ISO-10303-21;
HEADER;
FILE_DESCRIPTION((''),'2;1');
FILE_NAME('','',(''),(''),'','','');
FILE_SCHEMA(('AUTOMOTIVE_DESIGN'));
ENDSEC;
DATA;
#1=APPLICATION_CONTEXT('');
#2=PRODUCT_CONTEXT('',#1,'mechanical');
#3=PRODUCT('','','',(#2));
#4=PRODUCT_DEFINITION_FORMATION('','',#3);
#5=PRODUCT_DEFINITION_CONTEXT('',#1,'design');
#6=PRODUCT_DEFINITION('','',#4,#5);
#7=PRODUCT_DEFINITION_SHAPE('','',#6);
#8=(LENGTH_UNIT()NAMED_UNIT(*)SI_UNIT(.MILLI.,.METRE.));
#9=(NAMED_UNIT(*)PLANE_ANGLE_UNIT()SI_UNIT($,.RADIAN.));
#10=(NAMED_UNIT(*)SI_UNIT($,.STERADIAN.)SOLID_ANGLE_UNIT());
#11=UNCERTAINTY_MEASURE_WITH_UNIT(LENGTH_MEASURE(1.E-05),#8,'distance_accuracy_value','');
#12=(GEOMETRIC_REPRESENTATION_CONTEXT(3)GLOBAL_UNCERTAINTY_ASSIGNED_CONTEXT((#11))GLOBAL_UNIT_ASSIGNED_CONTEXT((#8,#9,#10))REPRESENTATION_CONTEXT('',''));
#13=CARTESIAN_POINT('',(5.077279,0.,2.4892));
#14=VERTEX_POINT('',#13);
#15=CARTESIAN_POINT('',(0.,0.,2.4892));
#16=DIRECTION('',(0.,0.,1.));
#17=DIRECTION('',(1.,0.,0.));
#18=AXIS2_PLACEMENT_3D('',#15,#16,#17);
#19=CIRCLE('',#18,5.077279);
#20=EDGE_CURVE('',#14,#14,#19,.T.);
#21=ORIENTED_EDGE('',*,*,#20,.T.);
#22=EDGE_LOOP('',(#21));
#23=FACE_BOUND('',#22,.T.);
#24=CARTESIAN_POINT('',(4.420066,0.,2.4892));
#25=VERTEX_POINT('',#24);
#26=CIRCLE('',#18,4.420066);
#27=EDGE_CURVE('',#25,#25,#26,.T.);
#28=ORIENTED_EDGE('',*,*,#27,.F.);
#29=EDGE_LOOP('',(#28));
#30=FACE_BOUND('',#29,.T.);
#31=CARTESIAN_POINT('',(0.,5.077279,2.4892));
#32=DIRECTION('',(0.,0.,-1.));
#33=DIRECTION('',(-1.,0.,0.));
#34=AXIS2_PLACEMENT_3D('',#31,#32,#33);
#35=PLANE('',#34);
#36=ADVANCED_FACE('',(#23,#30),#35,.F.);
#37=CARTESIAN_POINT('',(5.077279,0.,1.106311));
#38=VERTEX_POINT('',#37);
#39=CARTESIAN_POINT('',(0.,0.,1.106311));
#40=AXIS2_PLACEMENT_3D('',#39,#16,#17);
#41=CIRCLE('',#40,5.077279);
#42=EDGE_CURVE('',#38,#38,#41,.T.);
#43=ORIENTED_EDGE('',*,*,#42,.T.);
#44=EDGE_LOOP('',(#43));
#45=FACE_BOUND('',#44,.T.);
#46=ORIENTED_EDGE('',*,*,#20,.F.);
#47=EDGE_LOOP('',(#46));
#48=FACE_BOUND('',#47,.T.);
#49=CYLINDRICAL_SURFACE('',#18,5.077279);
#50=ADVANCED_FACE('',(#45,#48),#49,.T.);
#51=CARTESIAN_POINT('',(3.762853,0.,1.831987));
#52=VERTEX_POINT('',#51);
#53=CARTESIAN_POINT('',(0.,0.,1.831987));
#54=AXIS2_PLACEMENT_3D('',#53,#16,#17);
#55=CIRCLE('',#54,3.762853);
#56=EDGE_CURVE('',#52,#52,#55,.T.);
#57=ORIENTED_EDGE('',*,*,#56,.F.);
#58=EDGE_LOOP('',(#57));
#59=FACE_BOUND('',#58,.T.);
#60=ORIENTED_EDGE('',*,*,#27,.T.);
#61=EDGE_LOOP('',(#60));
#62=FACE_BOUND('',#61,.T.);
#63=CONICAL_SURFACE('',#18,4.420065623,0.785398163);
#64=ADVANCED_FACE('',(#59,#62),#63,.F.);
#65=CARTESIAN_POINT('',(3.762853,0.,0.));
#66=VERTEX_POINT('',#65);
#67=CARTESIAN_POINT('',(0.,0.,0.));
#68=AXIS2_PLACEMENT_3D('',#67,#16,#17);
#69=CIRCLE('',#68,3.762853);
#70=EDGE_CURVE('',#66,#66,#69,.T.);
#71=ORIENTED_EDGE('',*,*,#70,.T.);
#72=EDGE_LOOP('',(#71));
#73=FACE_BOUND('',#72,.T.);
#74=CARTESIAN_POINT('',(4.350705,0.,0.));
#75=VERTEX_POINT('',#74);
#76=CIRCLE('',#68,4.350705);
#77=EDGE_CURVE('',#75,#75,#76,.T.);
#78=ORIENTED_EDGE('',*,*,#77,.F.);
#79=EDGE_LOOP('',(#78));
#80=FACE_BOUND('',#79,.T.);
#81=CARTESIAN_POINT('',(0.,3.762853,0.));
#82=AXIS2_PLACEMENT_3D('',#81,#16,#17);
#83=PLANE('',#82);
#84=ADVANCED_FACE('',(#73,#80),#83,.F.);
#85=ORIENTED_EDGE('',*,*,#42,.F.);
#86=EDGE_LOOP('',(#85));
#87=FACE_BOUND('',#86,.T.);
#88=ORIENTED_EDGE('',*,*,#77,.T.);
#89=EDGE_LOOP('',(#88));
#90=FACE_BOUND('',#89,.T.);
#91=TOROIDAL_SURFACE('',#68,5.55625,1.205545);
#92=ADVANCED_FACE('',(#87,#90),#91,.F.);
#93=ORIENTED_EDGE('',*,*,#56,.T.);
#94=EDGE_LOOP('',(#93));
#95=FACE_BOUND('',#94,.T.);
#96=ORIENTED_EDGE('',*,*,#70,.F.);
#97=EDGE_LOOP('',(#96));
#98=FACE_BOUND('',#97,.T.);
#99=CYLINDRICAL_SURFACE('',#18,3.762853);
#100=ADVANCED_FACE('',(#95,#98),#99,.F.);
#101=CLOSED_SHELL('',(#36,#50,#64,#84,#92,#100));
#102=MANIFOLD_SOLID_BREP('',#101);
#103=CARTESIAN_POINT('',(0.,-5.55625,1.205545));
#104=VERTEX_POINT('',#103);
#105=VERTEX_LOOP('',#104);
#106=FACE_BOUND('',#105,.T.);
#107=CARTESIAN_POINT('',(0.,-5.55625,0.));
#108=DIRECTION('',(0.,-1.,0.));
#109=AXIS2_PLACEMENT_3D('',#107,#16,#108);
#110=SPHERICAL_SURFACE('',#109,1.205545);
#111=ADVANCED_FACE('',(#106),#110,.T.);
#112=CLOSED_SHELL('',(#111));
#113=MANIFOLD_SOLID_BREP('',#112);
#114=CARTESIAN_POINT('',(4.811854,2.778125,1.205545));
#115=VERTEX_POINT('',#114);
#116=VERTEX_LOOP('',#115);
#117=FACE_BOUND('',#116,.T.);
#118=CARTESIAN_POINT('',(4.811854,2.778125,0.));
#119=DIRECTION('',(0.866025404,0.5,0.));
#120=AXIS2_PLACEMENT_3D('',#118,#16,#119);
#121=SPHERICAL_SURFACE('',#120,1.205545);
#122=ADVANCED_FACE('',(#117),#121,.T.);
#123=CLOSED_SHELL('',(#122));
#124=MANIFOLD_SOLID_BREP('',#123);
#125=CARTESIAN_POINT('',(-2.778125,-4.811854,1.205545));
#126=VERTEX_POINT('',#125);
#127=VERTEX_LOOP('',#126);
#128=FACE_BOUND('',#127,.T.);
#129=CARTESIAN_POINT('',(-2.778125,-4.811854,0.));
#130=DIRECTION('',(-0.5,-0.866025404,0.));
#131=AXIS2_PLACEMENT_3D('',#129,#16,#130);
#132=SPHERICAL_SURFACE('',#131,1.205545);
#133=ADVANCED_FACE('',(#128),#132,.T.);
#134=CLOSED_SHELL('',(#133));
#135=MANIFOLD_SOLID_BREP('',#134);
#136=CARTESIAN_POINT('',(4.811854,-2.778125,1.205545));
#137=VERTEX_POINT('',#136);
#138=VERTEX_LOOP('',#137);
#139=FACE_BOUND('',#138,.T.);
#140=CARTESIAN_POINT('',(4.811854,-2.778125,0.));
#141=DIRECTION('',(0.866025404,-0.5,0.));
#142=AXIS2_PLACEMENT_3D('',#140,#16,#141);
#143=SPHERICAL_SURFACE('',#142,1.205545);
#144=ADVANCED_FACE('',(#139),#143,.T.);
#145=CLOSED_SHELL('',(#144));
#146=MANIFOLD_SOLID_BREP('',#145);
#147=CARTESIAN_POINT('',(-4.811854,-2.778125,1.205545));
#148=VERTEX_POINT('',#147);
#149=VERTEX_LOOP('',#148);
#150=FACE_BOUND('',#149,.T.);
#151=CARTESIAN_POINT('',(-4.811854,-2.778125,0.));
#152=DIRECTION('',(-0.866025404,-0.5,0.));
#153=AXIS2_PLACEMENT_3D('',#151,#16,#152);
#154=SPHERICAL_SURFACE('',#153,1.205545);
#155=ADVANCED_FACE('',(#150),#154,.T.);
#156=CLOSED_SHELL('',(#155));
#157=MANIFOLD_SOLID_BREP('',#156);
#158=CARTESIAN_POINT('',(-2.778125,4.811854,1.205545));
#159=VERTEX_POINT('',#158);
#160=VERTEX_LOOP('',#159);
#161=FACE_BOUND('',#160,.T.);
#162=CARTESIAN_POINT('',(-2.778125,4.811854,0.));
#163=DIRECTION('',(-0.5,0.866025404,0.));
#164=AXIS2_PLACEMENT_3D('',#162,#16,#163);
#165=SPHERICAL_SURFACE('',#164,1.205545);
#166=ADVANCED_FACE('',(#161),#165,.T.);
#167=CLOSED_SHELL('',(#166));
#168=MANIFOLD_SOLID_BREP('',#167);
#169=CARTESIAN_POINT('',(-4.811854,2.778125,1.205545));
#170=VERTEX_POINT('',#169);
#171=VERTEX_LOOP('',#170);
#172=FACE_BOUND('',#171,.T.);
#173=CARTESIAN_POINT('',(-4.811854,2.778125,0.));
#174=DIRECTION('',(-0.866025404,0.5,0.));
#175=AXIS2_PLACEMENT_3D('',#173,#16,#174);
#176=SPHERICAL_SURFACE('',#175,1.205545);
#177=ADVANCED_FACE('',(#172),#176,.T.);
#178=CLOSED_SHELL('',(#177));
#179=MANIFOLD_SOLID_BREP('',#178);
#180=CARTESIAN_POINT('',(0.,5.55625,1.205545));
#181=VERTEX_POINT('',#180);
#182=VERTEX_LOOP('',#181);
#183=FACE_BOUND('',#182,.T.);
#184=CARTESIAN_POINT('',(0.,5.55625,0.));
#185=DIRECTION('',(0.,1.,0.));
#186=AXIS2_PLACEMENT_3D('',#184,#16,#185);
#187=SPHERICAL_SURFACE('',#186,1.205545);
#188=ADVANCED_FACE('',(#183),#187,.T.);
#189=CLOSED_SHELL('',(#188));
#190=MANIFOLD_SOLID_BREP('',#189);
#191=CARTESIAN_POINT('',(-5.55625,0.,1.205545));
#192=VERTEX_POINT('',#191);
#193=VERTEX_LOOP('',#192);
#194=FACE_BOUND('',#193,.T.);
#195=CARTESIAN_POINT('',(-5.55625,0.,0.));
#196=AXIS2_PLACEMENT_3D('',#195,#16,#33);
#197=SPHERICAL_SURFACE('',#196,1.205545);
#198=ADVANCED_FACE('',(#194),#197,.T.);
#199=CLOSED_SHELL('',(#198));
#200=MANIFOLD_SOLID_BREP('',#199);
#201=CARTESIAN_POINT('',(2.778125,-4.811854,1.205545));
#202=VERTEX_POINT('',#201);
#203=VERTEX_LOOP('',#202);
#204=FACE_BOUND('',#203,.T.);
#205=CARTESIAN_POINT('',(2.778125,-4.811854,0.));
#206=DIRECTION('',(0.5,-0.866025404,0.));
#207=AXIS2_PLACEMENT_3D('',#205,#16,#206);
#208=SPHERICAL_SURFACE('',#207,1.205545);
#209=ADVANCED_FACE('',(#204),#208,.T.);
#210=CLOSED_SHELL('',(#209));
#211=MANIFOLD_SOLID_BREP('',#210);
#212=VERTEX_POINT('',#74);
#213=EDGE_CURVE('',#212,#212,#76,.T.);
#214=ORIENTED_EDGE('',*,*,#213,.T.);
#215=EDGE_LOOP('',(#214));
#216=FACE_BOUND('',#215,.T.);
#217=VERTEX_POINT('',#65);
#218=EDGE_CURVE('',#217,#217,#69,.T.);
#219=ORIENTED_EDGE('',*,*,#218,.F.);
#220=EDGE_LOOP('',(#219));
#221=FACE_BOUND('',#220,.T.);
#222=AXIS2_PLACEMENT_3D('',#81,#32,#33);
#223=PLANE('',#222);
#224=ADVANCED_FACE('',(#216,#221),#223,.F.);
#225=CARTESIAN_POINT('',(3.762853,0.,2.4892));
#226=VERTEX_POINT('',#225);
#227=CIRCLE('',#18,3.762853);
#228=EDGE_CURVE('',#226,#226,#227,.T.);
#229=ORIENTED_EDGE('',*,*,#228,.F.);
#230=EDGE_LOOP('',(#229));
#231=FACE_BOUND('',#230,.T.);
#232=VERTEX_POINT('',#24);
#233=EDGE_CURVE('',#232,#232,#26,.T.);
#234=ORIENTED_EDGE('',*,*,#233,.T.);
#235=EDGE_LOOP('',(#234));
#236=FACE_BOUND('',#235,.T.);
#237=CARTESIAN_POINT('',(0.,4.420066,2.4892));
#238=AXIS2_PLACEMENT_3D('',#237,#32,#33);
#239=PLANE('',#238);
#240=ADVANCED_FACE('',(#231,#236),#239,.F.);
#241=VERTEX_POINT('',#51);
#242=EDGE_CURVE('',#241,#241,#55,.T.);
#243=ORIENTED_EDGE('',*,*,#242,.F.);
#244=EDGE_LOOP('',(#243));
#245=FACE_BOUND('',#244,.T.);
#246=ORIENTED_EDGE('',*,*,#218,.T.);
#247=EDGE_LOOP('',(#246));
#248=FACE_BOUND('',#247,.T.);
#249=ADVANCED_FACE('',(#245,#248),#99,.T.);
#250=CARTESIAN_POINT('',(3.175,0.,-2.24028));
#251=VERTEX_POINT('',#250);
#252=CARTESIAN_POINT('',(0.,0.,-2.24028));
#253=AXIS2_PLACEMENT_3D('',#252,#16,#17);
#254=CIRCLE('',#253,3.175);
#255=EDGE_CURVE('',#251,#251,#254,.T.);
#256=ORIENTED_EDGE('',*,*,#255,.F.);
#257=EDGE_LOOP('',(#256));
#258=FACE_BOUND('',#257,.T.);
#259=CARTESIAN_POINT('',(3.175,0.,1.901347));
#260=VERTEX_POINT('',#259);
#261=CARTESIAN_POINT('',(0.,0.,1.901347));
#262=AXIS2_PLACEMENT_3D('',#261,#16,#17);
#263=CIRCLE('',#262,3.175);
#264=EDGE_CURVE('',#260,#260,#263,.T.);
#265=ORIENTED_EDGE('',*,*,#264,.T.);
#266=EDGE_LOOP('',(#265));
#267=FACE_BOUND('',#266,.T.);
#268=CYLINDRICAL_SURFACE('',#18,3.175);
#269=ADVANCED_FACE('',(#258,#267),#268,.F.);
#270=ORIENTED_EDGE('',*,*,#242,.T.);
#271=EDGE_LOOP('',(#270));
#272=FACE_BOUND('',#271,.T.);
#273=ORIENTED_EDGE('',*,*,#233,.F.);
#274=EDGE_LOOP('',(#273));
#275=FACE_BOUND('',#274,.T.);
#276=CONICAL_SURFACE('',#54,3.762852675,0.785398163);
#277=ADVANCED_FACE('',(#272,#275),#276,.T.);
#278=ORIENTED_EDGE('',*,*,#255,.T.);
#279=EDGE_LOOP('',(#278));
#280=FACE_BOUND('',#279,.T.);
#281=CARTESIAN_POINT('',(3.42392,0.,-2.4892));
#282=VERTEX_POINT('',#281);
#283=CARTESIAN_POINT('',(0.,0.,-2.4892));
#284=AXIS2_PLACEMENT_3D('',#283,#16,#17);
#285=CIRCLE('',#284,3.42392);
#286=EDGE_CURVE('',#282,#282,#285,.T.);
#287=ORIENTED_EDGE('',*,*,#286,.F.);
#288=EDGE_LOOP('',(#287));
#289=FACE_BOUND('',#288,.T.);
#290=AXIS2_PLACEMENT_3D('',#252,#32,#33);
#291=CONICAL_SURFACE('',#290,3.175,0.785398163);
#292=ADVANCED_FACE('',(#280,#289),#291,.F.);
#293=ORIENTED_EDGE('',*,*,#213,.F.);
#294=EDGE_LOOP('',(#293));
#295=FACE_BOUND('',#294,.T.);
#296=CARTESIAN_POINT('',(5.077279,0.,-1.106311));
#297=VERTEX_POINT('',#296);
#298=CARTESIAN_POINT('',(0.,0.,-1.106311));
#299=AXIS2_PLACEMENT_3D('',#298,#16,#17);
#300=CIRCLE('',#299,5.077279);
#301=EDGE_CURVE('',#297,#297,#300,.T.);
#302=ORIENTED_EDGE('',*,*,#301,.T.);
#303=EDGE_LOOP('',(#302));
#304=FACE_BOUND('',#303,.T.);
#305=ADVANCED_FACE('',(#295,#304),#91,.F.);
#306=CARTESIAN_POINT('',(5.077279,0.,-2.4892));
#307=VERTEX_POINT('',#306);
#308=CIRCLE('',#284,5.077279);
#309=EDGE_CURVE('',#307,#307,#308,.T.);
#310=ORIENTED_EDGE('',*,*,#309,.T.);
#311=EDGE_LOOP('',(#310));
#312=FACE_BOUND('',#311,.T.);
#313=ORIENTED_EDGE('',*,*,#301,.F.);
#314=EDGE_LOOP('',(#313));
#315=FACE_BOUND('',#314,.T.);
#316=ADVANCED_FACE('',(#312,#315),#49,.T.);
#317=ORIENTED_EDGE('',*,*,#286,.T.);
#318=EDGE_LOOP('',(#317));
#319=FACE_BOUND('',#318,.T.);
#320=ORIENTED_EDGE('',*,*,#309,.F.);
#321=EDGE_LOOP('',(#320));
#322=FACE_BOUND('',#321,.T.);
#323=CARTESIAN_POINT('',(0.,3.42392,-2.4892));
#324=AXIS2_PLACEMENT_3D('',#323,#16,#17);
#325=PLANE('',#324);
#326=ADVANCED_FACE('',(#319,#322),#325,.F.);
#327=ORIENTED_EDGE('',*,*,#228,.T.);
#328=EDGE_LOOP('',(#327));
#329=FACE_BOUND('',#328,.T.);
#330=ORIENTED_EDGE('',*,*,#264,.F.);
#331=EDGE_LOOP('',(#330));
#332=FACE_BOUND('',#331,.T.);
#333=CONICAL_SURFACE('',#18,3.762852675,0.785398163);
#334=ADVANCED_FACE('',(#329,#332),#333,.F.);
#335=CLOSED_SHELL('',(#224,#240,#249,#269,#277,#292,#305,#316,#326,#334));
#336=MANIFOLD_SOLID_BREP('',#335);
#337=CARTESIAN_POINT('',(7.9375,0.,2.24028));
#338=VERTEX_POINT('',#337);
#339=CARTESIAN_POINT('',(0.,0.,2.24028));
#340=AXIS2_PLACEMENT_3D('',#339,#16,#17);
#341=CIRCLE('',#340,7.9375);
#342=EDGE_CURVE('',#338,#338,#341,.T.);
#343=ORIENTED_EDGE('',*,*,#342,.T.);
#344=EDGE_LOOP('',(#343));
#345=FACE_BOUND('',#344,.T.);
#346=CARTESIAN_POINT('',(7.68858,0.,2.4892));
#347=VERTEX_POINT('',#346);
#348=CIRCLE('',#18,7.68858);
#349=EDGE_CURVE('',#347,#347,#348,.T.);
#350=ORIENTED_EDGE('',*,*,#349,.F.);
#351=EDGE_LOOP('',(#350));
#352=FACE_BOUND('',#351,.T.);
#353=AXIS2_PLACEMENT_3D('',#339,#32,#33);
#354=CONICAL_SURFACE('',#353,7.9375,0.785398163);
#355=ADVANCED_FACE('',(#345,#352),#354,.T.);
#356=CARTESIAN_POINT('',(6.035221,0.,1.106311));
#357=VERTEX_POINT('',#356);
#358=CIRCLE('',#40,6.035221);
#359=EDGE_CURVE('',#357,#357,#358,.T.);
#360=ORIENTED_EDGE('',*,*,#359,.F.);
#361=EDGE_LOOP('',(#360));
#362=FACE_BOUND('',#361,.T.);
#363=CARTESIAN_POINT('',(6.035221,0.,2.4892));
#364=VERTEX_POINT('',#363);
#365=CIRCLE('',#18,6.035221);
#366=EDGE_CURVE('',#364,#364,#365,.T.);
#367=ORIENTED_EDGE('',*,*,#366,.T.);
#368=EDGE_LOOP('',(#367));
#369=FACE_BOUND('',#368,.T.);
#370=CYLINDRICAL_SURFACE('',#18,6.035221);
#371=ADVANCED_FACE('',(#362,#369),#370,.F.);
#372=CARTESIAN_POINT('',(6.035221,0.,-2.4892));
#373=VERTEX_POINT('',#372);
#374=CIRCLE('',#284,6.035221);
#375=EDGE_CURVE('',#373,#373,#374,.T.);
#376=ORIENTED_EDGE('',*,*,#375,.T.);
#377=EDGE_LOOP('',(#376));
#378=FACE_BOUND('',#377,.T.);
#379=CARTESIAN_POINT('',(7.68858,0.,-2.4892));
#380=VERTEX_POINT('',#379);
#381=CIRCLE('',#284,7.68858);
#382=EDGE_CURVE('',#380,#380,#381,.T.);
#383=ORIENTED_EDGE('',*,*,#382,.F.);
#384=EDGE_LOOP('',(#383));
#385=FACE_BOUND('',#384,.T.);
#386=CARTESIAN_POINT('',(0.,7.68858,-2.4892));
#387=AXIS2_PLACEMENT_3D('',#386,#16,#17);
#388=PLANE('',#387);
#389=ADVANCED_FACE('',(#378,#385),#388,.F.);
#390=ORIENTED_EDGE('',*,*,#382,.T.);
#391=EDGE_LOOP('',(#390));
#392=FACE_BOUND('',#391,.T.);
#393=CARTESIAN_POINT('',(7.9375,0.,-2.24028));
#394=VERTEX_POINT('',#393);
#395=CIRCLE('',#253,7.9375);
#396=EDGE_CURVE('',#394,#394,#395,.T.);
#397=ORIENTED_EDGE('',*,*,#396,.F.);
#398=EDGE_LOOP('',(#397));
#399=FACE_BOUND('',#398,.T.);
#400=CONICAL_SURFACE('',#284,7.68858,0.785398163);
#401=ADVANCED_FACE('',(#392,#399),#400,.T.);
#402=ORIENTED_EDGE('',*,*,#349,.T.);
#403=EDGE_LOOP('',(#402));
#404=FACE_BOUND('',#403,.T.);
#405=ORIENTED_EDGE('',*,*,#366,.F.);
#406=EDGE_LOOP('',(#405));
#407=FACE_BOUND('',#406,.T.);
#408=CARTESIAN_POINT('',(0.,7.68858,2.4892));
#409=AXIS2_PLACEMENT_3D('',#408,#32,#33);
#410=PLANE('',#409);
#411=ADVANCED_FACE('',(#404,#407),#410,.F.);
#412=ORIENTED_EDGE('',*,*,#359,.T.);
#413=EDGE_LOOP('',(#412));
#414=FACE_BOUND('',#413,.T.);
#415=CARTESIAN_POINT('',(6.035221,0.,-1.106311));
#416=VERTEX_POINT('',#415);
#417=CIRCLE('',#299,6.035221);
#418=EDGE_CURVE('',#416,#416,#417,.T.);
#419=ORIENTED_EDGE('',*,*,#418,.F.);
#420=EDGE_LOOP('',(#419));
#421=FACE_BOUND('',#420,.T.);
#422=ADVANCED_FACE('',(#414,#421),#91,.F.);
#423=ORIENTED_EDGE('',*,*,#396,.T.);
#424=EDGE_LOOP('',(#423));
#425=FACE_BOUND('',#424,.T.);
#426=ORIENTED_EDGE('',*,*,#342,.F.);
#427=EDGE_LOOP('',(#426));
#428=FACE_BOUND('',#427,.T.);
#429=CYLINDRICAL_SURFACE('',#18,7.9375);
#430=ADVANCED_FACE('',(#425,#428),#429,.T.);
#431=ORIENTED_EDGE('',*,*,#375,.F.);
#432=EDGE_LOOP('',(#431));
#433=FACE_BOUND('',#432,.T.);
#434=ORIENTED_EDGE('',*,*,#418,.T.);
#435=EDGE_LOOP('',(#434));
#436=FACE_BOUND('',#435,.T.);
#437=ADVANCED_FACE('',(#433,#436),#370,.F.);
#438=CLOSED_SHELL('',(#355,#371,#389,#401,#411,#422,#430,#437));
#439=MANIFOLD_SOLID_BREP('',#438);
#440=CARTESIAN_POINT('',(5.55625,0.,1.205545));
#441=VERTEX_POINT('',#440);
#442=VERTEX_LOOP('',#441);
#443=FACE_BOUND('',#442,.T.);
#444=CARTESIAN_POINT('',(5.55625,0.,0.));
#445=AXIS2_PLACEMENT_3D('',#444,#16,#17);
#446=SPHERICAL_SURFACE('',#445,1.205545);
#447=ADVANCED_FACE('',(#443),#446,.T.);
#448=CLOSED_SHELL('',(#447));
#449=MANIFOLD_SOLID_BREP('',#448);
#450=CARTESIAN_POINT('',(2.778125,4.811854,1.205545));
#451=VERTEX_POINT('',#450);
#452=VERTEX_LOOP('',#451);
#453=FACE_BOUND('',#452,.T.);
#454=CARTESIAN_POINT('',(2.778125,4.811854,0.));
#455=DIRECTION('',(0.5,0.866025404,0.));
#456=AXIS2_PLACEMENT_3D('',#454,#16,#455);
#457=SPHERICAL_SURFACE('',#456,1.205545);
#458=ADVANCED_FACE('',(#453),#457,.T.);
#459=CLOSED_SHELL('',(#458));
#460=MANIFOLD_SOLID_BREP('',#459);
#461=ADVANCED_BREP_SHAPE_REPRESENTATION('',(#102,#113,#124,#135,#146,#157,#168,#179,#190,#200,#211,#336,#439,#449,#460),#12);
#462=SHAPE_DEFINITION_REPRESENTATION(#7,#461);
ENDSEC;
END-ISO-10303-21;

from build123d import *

# Parameters (mm, degrees)
CIRPATTERN1_COUNT = 12


with BuildPart() as part:
    # Sketch1 → Revolve1 (revolve)
    with BuildSketch(Plane(origin=(0, 0, 0), x_dir=(0, 0, -1), z_dir=(1, 0, 0))):
        with BuildLine():
            Line((2.24028, 7.9375), (-2.24028, 7.9375))
            Line((-2.24028, 7.9375), (-2.4892, 7.68858))
            Line((-2.4892, 7.68858), (-2.4892, 6.035221429))
            Line((-2.4892, 6.035221429), (-1.106311111, 6.035221429))
            ThreePointArc((-1.106311111, 6.035221429), (0, 6.76179465), (1.106311111, 6.035221429))
            Line((1.106311111, 6.035221429), (2.4892, 6.035221429))
            Line((2.4892, 6.035221429), (2.4892, 7.68858))
            Line((2.4892, 7.68858), (2.24028, 7.9375))
        make_face()
    revolve(axis=Axis((0, 0, 2.4892), (0, 0, -1)))


with BuildPart() as body_2:
    # Sketch2 → Revolve2 (revolve)
    with BuildSketch(Plane(origin=(0, 0, 0), x_dir=(0, 0, -1), z_dir=(1, 0, 0))):
        with BuildLine():
            Line((-2.4892, 5.077278571), (-1.106311111, 5.077278571))
            ThreePointArc((-1.106311111, 5.077278571), (-0.661784127, 4.548589505), (0, 4.35070535))
            Line((0, 4.35070535), (0, 3.762852675))
            Line((0, 3.762852675), (-1.831987052, 3.762852675))
            Line((-1.831987052, 3.762852675), (-2.4892, 4.420065623))
            Line((-2.4892, 4.420065623), (-2.4892, 5.077278571))
        make_face()
    revolve(axis=Axis((0, 0, 2.4892), (0, 0, -1)))


with BuildPart() as body_3:
    # Sketch3 → Revolve3 (revolve)
    with BuildSketch(Plane(origin=(0, 0, 0), x_dir=(0, 0, -1), z_dir=(1, 0, 0))):
        with BuildLine():
            Line((-2.4892, 4.420065623), (-1.831987052, 3.762852675))
            Line((-1.831987052, 3.762852675), (0, 3.762852675))
            Line((0, 3.762852675), (0, 4.35070535))
            ThreePointArc((0, 4.35070535), (0.661784127, 4.548589505), (1.106311111, 5.077278571))
            Line((1.106311111, 5.077278571), (2.4892, 5.077278571))
            Line((2.4892, 5.077278571), (2.4892, 3.42392))
            Line((2.4892, 3.42392), (2.24028, 3.175))
            Line((2.24028, 3.175), (-1.901347325, 3.175))
            Line((-1.901347325, 3.175), (-2.4892, 3.762852675))
            Line((-2.4892, 3.762852675), (-2.4892, 4.420065623))
        make_face()
    revolve(axis=Axis((0, 0, 2.4892), (0, 0, -1)))


with BuildPart() as body_4:
    # Sketch4 → Revolve4 (revolve)
    with BuildSketch(Plane(origin=(0, 0, 0), x_dir=(0, 0, -1), z_dir=(1, 0, 0))):
        with BuildLine():
            Line((-1.20554465, 5.55625), (1.20554465, 5.55625))
            ThreePointArc((1.20554465, 5.55625), (0, 6.76179465), (-1.20554465, 5.55625))
        make_face()
    revolve(axis=Axis((0, 5.55625, 1.20554465), (0, 0, -1)))


with BuildPart() as cirpattern1_1:
    # CirPattern1: pattern copy
    add(body_4.part.rotate(Axis((0, 0, -2.4892), (0, 0, 1)), 1 * 360 / CIRPATTERN1_COUNT))


with BuildPart() as cirpattern1_2:
    # CirPattern1: pattern copy
    add(body_4.part.rotate(Axis((0, 0, -2.4892), (0, 0, 1)), 2 * 360 / CIRPATTERN1_COUNT))


with BuildPart() as cirpattern1_3:
    # CirPattern1: pattern copy
    add(body_4.part.rotate(Axis((0, 0, -2.4892), (0, 0, 1)), 3 * 360 / CIRPATTERN1_COUNT))


with BuildPart() as cirpattern1_4:
    # CirPattern1: pattern copy
    add(body_4.part.rotate(Axis((0, 0, -2.4892), (0, 0, 1)), 4 * 360 / CIRPATTERN1_COUNT))


with BuildPart() as cirpattern1_5:
    # CirPattern1: pattern copy
    add(body_4.part.rotate(Axis((0, 0, -2.4892), (0, 0, 1)), 5 * 360 / CIRPATTERN1_COUNT))


with BuildPart() as cirpattern1_6:
    # CirPattern1: pattern copy
    add(body_4.part.rotate(Axis((0, 0, -2.4892), (0, 0, 1)), 6 * 360 / CIRPATTERN1_COUNT))


with BuildPart() as cirpattern1_7:
    # CirPattern1: pattern copy
    add(body_4.part.rotate(Axis((0, 0, -2.4892), (0, 0, 1)), 7 * 360 / CIRPATTERN1_COUNT))


with BuildPart() as cirpattern1_8:
    # CirPattern1: pattern copy
    add(body_4.part.rotate(Axis((0, 0, -2.4892), (0, 0, 1)), 8 * 360 / CIRPATTERN1_COUNT))


with BuildPart() as cirpattern1_9:
    # CirPattern1: pattern copy
    add(body_4.part.rotate(Axis((0, 0, -2.4892), (0, 0, 1)), 9 * 360 / CIRPATTERN1_COUNT))


with BuildPart() as cirpattern1_10:
    # CirPattern1: pattern copy
    add(body_4.part.rotate(Axis((0, 0, -2.4892), (0, 0, 1)), 10 * 360 / CIRPATTERN1_COUNT))


with BuildPart() as cirpattern1_11:
    # CirPattern1: pattern copy
    add(body_4.part.rotate(Axis((0, 0, -2.4892), (0, 0, 1)), 11 * 360 / CIRPATTERN1_COUNT))


solid = Compound([part.part, body_2.part, body_3.part, body_4.part, cirpattern1_1.part, cirpattern1_2.part, cirpattern1_3.part, cirpattern1_4.part, cirpattern1_5.part, cirpattern1_6.part, cirpattern1_7.part, cirpattern1_8.part, cirpattern1_9.part, cirpattern1_10.part, cirpattern1_11.part])
